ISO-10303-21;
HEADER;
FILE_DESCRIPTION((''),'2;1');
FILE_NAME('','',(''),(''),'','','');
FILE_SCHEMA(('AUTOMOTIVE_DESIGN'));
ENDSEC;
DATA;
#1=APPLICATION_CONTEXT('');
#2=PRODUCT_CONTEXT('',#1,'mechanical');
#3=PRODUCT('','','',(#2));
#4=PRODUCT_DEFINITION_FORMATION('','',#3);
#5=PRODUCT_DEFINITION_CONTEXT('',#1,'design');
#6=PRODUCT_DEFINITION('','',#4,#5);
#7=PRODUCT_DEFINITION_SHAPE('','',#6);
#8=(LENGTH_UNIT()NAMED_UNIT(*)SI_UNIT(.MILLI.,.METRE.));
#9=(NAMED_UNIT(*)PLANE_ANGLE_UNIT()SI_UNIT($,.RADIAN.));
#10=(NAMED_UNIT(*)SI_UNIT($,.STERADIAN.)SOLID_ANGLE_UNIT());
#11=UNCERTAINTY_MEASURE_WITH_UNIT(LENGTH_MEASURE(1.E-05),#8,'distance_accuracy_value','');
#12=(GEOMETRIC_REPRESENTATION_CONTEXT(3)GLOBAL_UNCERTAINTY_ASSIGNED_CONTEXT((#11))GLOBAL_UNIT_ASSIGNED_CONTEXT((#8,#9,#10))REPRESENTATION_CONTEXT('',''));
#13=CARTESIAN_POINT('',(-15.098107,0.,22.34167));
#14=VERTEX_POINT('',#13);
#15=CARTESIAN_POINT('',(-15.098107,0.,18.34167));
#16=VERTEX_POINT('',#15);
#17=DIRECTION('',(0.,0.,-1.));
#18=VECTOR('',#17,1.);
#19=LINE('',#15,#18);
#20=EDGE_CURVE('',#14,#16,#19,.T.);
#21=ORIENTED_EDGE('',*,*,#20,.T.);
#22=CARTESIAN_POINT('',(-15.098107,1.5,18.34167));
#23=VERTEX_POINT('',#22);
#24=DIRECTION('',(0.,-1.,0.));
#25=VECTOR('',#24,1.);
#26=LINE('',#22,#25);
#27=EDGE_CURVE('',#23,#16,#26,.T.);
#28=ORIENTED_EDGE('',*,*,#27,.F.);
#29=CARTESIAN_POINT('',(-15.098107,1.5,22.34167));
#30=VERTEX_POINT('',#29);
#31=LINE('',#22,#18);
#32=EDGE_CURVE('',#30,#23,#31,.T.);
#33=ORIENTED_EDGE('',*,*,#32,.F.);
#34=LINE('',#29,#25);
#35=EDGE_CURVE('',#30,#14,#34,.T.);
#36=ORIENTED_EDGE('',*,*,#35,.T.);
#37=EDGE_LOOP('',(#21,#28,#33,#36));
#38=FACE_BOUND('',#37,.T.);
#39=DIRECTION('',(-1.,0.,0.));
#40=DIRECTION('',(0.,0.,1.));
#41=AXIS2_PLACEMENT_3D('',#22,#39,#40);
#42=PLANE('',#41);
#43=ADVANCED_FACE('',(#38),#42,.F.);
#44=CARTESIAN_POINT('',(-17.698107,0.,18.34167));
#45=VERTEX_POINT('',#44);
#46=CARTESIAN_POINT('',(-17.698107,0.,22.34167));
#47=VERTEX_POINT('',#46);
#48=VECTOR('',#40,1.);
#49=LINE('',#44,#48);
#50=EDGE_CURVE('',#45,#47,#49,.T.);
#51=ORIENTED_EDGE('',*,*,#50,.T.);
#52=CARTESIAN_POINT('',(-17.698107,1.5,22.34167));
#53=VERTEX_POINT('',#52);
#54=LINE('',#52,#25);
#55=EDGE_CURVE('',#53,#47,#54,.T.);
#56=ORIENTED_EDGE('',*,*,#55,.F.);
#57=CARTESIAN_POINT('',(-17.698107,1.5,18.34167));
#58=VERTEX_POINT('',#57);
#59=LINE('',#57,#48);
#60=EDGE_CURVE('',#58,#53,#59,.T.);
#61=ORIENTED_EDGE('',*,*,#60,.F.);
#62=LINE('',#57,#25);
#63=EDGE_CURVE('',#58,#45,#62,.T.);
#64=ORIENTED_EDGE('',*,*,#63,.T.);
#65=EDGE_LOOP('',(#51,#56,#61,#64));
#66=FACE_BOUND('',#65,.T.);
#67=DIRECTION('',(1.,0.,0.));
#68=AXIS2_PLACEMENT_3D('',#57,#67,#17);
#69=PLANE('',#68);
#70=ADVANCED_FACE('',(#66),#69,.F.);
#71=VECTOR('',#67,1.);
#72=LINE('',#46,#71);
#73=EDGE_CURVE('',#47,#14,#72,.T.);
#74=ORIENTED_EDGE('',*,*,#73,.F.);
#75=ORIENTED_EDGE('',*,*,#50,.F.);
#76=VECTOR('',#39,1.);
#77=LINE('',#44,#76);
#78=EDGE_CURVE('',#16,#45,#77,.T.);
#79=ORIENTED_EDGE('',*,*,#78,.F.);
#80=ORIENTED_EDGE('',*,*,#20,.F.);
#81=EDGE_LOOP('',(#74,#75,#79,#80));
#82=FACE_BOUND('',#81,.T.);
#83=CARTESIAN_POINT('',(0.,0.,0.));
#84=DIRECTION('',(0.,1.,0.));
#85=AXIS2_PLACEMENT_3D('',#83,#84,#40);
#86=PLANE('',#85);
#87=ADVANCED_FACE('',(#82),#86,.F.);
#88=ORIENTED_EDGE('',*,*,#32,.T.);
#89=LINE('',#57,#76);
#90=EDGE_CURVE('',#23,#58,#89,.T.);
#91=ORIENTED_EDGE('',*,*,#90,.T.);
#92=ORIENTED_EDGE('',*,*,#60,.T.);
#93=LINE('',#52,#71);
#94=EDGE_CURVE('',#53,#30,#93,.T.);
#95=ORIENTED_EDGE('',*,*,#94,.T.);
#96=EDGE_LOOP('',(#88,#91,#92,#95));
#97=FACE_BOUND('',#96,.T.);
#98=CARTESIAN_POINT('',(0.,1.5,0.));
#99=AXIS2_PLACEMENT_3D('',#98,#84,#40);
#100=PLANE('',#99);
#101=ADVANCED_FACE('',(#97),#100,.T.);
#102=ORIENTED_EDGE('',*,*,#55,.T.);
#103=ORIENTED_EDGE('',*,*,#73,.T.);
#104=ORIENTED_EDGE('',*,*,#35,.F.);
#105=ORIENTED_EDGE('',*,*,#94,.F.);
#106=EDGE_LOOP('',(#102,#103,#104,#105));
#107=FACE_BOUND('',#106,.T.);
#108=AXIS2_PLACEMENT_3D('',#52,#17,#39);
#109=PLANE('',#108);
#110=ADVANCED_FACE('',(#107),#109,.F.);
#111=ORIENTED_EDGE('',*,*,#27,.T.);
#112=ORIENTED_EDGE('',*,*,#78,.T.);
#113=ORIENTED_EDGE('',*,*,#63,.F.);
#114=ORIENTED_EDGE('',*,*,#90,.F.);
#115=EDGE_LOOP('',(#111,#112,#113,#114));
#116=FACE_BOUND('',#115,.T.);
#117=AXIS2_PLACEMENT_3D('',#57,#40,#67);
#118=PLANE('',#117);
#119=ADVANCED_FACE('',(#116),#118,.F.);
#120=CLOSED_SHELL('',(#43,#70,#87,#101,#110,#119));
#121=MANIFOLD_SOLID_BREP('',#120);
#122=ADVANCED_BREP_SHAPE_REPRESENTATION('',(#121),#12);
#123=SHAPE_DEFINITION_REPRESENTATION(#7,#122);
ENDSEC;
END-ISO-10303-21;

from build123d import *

# Parameters (mm, degrees)
SKETCH_1_W      = 2.6
SKETCH_1_H      = 4
EXTRUDE_1_DEPTH = 1.5


with BuildPart() as part:
    # 草图1 → 凸台-拉伸1 (new body)
    with BuildSketch(Plane(origin=(0, 0, 0), x_dir=(1, 0, 0), z_dir=(0, 1, 0))):
        with Locations((-16.398107118, -20.341669877)):
            Rectangle(SKETCH_1_W, SKETCH_1_H)
    extrude(amount=EXTRUDE_1_DEPTH)


solid = part.part
